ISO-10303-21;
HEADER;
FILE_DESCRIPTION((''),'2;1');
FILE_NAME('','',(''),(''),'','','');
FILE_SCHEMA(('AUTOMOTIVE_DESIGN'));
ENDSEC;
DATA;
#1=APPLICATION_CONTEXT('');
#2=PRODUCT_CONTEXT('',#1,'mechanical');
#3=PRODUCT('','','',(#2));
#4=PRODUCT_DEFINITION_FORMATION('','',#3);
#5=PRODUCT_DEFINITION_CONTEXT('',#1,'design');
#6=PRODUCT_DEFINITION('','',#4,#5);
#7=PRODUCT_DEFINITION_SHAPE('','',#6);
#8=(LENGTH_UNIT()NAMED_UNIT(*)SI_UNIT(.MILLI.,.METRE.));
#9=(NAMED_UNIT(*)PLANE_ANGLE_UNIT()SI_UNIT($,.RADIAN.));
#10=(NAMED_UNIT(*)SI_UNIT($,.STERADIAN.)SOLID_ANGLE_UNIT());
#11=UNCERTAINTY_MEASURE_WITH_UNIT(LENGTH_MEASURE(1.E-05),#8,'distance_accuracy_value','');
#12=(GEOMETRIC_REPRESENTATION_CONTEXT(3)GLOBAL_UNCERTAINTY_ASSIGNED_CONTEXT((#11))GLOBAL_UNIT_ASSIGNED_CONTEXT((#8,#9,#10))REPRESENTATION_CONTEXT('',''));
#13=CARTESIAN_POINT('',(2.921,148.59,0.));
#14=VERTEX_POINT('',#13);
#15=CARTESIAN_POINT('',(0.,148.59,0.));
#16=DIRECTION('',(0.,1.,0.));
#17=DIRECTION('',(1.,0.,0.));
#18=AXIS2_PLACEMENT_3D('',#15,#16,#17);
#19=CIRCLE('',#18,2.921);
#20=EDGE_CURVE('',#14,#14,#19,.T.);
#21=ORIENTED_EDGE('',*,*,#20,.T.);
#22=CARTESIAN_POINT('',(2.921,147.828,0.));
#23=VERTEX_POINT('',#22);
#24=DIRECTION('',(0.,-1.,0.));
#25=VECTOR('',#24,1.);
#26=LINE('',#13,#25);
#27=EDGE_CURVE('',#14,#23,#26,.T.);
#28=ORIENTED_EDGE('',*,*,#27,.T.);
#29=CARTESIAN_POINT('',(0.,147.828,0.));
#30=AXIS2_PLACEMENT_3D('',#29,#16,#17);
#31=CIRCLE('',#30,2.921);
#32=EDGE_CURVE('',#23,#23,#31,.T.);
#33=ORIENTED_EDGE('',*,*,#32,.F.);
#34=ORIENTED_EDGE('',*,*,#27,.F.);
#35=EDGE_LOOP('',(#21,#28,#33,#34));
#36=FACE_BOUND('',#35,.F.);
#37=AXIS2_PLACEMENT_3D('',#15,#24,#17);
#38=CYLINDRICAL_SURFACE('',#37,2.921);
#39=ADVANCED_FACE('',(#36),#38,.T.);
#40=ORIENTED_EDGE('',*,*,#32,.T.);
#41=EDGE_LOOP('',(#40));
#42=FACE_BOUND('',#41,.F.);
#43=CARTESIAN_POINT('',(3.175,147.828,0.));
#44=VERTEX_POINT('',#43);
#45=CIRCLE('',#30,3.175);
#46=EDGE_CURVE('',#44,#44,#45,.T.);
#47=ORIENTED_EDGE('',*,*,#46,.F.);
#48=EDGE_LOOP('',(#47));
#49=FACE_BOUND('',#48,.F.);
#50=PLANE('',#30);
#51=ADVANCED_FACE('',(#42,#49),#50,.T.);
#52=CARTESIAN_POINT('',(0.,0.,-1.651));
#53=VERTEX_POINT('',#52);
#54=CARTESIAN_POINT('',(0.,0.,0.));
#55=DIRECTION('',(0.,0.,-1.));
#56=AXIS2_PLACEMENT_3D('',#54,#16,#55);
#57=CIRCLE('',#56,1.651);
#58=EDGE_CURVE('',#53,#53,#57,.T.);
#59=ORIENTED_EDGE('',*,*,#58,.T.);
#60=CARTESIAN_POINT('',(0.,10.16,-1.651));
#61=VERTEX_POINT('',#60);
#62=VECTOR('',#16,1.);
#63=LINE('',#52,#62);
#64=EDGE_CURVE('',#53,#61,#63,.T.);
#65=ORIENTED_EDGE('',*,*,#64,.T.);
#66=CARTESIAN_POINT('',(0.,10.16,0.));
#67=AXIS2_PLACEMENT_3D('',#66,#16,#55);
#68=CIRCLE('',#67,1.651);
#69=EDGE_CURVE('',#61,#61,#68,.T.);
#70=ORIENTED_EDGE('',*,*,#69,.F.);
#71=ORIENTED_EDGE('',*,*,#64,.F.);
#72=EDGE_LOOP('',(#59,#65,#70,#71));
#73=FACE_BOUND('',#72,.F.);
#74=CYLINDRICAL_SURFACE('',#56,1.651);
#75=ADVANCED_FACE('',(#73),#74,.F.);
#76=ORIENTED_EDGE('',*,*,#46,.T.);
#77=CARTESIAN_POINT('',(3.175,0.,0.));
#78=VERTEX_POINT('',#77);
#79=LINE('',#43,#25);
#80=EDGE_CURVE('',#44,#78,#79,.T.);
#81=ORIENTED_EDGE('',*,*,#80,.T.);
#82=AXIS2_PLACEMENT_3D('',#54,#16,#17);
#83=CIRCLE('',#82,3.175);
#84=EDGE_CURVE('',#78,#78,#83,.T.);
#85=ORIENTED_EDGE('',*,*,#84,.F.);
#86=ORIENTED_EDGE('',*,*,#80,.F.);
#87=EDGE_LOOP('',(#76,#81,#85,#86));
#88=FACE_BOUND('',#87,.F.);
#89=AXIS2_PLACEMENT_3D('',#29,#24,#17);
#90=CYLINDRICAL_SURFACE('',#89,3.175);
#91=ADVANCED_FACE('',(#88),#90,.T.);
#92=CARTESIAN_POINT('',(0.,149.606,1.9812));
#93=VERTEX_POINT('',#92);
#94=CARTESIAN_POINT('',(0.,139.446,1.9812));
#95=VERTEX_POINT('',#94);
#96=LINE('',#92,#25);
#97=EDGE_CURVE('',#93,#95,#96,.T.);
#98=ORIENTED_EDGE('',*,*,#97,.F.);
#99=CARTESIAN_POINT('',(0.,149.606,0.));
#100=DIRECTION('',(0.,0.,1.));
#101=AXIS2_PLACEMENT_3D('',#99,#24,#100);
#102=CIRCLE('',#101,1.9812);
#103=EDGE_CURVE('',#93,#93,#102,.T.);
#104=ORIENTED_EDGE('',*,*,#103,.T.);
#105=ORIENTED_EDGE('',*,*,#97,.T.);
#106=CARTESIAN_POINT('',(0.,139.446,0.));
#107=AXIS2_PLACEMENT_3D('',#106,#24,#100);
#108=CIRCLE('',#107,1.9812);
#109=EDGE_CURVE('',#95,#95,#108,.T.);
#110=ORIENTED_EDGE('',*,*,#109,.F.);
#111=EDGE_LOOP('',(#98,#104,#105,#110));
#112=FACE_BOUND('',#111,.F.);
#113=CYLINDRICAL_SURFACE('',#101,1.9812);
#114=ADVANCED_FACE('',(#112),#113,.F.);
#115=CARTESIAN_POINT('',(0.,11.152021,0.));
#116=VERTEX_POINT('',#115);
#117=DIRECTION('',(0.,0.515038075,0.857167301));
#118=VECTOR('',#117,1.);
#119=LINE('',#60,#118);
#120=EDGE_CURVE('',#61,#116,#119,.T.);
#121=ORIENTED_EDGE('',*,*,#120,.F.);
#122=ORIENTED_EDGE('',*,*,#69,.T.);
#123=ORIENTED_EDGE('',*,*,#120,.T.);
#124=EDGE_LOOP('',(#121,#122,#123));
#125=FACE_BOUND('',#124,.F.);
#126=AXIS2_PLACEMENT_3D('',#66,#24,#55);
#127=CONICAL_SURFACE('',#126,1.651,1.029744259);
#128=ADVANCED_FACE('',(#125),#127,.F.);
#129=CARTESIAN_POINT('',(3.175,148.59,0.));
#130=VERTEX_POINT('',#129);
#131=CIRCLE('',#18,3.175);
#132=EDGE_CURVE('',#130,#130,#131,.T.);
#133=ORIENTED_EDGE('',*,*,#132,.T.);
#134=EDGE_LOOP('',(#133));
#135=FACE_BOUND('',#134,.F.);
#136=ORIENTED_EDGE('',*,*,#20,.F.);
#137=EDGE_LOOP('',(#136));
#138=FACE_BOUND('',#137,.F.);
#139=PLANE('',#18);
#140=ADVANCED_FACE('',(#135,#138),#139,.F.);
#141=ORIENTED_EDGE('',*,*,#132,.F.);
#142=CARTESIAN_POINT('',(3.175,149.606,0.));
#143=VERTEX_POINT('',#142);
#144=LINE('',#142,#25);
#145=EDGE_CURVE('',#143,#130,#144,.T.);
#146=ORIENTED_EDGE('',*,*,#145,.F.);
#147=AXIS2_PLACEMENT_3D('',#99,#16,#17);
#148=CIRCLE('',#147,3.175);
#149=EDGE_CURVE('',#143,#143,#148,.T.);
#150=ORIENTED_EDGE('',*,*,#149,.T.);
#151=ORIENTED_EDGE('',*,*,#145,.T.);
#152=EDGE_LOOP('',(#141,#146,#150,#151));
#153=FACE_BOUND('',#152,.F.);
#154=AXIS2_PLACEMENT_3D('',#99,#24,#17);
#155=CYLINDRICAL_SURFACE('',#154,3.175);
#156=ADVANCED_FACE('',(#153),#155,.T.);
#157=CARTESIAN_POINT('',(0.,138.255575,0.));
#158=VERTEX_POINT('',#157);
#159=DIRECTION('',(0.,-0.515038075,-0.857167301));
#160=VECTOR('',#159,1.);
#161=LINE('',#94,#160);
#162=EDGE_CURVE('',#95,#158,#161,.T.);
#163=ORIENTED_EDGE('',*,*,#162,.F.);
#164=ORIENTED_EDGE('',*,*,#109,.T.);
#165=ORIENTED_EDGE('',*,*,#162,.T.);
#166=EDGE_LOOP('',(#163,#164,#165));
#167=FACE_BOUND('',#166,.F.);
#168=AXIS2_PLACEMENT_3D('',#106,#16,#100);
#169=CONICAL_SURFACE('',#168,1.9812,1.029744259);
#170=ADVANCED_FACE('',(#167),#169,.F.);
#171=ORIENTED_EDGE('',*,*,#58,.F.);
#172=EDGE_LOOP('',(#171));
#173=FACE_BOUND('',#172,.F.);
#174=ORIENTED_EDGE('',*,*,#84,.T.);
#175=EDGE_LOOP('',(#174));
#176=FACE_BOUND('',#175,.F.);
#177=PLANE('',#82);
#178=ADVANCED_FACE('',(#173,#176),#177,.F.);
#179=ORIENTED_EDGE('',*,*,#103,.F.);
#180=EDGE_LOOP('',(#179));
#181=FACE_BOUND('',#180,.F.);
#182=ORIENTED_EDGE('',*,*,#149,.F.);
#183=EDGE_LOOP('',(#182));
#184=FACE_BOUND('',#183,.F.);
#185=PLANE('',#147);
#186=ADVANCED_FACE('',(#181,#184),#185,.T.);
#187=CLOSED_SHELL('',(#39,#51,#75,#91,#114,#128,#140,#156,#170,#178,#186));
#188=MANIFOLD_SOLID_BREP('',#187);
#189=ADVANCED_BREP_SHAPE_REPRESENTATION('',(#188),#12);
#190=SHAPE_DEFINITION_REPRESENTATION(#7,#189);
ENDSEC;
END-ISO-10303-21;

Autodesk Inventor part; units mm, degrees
ref_plane "YZ Plane" through (0, 0, 0) normal (1, 0, 0) x (0, 1, 0)
ref_plane "XZ Plane" through (0, 0, 0) normal (0, 1, 0) x (-1, 0, 0)
ref_plane "XY Plane" through (0, 0, 0) normal (0, 0, 1) x (1, 0, 0)
sketch "Sketch1" plane through (0, 0, 0) normal (0, 0, 1) x (1, 0, 0)
  line L0 (0, 0) -> (0, 149.606)
  line L1 (0, 149.606) -> (3.175, 149.606)
  line L2 (3.175, 149.606) -> (3.175, 148.59)
  line L3 (3.175, 148.59) -> (2.921, 148.59)
  line L4 (2.921, 148.59) -> (2.921, 147.828)
  line L5 (2.921, 147.828) -> (3.175, 147.828)
  line L6 (3.175, 147.828) -> (3.175, 0)
  line L7 (3.175, 0) -> (0, 0)
  dimension "d0" = 3.175
  dimension "d1" = 149.606
  dimension "d2" = 0.762
  dimension "d3" = 0.254
  dimension "d4" = 1.016
revolve "Revolution1" add sketch "Sketch1" angle 360 about axis through (0, 0, 0) along (0, 1, 0)
sketch "Sketch2" plane through (0, 149.606, 0) normal (0, 1, 0) x (1, 0, 0)
  point P0 (0, 0)
  point P1 (0, 0)
hole "Hole1" at (0, 149.606, 0) direction (0, -1, 0) diameter 3.9624 depth 10.16 tip angle 118 thread size "10-32 UNF" class "2B" standard "ANSI Unified Screw Threads"
sketch "Sketch3" plane through (0, 0, 0) normal (0, -1, 0) x (1, 0, 0)
  point P0 (0, 0)
  point P1 (0, 0)
hole "Hole2" at (0, 0, 0) direction (0, 1, 0) diameter 3.302 depth 10.16 tip angle 118 thread size "8-32 UNC" class "2B" standard "ANSI Unified Screw Threads"
properties part number "Fixture_Weight_Shaft-02" material "Stainless Steel"
